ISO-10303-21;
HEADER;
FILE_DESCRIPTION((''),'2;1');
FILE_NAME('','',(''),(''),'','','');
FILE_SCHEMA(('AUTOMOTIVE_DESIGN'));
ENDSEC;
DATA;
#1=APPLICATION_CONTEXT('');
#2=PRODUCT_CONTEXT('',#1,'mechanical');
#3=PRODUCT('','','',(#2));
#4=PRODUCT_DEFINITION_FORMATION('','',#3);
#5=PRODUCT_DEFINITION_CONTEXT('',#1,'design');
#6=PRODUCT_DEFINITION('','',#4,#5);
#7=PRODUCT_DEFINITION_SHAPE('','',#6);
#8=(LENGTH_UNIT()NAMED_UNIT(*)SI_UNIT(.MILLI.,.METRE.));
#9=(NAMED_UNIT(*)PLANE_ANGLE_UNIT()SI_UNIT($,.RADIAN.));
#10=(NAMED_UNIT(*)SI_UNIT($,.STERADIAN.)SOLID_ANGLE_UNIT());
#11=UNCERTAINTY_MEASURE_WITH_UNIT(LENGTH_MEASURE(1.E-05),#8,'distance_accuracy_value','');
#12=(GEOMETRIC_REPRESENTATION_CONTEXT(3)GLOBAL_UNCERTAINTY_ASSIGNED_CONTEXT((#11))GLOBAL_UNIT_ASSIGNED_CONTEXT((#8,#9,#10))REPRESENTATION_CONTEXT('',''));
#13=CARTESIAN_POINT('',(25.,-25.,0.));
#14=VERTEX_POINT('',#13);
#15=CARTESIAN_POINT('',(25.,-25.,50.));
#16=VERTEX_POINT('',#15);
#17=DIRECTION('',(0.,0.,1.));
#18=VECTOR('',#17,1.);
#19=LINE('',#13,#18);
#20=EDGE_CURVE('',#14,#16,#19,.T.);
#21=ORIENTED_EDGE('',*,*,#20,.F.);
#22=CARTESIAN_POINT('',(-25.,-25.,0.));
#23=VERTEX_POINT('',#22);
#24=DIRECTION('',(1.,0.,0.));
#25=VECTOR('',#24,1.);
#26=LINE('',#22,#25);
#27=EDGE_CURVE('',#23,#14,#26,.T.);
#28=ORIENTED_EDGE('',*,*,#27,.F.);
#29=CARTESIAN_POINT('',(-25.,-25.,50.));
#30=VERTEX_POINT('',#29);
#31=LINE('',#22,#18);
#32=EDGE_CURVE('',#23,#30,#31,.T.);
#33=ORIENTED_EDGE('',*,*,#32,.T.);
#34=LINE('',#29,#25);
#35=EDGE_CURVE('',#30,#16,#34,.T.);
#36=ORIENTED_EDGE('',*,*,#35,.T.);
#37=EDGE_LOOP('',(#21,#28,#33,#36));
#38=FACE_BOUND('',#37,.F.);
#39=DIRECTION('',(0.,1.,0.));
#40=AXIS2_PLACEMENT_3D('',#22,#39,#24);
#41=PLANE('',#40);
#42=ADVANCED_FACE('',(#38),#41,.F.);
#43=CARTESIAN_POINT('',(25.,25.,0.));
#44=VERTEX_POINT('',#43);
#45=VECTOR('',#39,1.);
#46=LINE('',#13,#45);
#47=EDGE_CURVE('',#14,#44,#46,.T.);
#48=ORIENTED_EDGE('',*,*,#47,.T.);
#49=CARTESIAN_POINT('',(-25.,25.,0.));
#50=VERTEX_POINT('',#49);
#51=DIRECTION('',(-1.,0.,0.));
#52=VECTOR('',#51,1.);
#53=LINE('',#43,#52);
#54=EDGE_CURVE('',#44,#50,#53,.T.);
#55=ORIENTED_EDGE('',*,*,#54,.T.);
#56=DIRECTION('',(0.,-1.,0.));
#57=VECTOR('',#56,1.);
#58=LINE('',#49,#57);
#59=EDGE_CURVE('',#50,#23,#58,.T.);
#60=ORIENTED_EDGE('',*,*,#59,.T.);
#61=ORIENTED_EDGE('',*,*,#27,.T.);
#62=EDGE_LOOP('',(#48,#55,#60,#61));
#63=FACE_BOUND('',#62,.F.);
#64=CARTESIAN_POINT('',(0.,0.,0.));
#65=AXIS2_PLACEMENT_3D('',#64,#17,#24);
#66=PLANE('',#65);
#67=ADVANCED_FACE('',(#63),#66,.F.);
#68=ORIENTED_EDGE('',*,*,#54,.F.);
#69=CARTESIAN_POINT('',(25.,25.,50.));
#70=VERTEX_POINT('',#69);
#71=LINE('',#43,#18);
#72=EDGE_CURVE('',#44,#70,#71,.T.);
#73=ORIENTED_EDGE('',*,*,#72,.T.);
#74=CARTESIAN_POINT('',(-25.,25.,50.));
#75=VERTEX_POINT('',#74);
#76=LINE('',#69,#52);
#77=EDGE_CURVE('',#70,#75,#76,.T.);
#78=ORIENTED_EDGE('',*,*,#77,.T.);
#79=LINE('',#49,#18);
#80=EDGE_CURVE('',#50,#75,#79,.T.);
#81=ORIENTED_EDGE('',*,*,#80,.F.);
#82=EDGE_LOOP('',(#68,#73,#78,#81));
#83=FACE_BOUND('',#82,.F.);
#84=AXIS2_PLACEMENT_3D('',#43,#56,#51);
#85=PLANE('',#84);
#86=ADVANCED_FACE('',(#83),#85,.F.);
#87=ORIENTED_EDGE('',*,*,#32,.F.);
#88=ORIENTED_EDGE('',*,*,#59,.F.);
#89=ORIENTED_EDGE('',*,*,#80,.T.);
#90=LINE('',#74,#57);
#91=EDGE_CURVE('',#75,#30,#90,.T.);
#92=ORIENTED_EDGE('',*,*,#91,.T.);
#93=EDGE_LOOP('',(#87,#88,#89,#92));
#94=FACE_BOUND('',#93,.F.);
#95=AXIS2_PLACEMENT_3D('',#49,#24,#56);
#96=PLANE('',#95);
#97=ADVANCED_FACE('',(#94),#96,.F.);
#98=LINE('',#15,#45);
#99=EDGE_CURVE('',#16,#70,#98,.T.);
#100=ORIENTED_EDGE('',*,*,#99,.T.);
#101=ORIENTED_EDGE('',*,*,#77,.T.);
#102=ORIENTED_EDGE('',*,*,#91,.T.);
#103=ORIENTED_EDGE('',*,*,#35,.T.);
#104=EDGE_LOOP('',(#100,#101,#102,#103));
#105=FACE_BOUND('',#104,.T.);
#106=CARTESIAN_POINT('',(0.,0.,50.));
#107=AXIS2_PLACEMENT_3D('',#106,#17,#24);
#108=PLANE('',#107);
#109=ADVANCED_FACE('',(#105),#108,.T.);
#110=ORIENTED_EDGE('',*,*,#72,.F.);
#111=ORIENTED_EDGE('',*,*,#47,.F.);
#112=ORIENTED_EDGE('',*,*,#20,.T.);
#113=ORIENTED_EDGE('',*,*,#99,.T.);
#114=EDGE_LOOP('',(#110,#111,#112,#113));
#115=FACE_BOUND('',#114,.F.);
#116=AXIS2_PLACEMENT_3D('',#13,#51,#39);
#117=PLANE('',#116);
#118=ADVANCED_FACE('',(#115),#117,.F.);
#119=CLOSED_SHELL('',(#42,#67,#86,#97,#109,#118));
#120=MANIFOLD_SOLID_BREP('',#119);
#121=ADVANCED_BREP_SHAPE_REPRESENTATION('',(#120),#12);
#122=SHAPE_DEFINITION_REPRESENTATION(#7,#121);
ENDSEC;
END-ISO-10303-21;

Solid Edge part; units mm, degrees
sketch "Sketch1" plane through (0, 0, 0) normal (0, 0, 1) x (1, 0, 0)
  line L0 (-25, -25) -> (25, -25)
  line L1 (25, -25) -> (25, 25)
  line L2 (25, 25) -> (-25, 25)
  line L3 (-25, 25) -> (-25, -25)
extrude "Protrusion1" add sketch "Sketch1" along normal blind 50
